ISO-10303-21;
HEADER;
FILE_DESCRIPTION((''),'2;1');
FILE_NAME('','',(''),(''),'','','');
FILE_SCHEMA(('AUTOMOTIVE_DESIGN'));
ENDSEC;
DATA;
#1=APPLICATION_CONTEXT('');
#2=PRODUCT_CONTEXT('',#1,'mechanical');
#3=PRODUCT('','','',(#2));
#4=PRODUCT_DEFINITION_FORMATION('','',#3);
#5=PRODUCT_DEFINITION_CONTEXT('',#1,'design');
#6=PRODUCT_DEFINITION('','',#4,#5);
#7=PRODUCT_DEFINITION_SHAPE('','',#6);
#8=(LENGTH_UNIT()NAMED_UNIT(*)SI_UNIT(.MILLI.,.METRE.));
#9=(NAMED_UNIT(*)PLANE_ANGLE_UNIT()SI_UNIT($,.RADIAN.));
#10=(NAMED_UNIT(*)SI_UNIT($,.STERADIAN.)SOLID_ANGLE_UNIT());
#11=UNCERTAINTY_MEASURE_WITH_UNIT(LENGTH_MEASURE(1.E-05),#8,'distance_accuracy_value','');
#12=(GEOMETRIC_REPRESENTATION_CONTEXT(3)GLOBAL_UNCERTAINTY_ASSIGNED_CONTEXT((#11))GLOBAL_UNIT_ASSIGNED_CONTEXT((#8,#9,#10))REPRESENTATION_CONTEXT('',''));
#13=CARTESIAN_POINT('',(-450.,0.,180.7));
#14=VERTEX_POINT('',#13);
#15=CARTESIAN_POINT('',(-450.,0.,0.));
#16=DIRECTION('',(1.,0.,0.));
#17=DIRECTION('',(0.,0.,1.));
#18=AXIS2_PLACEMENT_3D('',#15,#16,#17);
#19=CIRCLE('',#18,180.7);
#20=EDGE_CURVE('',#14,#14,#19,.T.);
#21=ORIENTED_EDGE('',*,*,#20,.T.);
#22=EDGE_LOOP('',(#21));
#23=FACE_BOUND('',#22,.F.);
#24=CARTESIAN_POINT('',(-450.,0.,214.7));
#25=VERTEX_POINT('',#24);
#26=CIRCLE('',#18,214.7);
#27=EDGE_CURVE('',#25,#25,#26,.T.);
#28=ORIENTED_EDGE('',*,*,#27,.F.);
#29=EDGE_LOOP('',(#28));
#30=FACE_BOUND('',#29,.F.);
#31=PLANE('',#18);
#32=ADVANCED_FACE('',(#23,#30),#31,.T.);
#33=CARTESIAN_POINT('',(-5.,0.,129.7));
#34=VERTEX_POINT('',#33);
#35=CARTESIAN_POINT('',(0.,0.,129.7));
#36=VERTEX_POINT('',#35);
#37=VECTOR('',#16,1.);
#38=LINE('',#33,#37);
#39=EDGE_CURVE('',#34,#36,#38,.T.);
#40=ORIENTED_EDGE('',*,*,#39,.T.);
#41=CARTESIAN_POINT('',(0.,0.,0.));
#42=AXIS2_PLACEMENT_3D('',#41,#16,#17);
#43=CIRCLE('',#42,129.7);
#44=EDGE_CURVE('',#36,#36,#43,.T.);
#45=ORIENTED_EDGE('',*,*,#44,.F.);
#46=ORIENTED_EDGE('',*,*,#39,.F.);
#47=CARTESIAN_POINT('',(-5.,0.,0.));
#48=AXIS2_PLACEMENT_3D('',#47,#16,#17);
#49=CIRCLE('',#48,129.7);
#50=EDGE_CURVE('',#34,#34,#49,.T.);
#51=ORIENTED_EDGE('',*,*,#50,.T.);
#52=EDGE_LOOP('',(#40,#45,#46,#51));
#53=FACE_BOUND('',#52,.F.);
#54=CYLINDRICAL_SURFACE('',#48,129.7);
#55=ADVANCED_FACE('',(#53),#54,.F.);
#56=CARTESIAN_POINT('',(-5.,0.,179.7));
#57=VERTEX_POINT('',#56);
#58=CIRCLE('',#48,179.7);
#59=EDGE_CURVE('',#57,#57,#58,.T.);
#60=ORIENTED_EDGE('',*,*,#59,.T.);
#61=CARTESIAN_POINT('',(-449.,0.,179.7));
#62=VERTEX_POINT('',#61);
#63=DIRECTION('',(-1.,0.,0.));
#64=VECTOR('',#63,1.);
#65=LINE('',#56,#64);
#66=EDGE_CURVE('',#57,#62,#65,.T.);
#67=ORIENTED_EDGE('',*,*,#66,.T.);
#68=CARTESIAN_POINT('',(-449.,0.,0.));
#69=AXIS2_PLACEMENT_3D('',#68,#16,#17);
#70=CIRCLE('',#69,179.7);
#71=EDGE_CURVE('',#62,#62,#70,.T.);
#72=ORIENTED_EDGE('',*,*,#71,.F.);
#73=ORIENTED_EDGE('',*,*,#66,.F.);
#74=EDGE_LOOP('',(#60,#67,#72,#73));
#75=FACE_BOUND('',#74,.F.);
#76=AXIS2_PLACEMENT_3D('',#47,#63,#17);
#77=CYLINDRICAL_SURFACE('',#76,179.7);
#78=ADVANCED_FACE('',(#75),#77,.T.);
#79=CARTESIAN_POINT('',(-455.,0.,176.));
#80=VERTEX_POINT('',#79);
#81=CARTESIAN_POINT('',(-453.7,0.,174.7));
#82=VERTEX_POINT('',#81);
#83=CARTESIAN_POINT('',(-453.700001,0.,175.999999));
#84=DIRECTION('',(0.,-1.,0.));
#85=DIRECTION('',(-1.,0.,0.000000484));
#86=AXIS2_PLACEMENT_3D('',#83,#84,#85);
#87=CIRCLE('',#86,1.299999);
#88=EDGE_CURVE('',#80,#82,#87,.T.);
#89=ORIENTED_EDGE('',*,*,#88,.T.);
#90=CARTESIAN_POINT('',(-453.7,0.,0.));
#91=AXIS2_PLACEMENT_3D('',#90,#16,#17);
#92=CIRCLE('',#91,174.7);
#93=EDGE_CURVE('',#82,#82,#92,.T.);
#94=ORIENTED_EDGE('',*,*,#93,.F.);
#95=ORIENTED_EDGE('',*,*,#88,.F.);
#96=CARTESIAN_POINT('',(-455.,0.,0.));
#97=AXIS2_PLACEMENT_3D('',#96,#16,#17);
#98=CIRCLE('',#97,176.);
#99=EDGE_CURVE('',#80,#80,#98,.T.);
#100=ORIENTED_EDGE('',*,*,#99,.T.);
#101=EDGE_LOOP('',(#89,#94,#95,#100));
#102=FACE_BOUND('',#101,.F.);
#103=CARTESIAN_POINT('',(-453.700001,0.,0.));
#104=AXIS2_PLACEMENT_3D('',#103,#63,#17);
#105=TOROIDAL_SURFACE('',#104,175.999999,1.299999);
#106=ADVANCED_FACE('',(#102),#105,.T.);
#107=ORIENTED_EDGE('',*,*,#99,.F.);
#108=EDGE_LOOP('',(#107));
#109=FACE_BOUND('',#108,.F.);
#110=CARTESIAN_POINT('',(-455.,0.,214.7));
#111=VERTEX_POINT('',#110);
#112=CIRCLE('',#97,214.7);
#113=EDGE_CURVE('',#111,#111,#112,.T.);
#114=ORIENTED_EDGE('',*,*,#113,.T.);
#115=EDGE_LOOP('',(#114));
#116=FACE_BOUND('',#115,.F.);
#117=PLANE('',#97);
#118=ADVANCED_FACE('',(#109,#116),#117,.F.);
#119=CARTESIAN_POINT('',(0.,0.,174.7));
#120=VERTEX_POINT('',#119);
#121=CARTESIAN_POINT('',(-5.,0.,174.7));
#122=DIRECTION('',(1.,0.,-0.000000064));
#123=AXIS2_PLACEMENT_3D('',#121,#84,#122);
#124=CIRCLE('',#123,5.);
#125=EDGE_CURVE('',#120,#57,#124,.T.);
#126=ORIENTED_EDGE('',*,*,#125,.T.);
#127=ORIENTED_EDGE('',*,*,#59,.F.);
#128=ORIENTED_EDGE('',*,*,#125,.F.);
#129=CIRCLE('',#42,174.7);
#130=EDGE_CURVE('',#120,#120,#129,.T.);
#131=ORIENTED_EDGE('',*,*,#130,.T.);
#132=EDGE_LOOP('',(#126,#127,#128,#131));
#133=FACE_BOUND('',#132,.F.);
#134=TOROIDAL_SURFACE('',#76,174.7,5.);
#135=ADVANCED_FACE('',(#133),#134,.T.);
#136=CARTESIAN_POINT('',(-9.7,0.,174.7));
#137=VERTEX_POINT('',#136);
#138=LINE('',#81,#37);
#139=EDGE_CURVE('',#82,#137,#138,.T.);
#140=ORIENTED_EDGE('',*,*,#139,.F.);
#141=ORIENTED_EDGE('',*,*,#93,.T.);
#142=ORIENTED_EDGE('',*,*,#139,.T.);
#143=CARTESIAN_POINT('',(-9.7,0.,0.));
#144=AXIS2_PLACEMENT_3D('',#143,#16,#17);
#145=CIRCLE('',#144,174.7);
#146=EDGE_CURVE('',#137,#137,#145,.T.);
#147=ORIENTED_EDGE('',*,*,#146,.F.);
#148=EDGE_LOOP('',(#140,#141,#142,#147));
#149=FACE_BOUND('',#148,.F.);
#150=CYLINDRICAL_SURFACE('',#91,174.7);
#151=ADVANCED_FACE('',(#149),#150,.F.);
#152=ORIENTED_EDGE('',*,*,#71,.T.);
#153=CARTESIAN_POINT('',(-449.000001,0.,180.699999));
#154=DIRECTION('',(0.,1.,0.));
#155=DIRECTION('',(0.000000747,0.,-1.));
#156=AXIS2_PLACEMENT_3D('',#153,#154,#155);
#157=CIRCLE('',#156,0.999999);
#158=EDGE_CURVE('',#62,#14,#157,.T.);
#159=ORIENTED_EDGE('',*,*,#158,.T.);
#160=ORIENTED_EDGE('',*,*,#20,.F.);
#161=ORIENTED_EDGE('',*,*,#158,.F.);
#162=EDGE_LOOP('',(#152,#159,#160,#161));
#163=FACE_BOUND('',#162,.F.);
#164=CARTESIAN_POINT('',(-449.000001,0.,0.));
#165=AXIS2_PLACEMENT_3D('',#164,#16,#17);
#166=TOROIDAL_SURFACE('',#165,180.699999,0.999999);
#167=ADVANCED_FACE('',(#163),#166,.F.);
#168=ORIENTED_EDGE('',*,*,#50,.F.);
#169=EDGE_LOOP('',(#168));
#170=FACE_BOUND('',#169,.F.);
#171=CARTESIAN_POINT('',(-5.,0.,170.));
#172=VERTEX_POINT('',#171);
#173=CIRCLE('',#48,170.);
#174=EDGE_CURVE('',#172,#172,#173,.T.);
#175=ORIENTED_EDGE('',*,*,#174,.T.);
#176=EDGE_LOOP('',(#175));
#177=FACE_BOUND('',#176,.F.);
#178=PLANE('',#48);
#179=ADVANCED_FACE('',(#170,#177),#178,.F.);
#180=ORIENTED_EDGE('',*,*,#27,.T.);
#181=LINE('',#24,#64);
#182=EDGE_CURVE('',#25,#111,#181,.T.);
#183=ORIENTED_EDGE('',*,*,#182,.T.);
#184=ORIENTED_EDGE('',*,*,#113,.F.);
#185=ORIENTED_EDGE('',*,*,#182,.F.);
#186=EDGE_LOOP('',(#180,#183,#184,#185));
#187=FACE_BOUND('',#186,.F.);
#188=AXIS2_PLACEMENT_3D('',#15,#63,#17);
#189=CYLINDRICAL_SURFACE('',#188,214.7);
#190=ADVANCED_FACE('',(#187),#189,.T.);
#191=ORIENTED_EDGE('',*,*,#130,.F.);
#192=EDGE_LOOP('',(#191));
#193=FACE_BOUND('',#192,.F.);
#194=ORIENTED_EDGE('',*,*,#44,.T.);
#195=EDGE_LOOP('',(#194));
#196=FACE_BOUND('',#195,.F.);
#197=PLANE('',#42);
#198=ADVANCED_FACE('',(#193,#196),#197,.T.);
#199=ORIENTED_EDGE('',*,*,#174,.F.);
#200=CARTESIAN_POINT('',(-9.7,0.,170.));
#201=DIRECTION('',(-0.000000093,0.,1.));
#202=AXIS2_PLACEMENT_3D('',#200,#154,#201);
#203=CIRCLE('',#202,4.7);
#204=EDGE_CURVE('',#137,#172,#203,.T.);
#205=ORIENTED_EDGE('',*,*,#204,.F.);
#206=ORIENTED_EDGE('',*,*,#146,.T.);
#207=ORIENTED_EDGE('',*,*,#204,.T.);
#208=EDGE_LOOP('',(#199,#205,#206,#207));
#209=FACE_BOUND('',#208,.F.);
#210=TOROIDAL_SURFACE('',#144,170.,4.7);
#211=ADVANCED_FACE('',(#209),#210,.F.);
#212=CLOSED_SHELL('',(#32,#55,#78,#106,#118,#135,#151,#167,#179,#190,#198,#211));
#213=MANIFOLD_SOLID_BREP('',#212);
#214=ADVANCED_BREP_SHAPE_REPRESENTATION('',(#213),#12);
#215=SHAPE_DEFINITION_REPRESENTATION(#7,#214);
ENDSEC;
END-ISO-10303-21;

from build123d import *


with BuildPart() as f1:
    # F0 (on Front) → F1 (revolve)
    with BuildSketch(Plane.XZ):
        with BuildLine():
            Line((-5, 179.7), (-449, 179.7))
            ThreePointArc((-449, 179.7), (-449.707107, 179.992893), (-450, 180.7))
            Line((-450, 180.7), (-450, 214.7))
            Line((-450, 214.7), (-455, 214.7))
            Line((-455, 214.7), (-455, 176))
            ThreePointArc((-455, 176), (-454.619239, 175.080761), (-453.7, 174.7))
            Line((-453.7, 174.7), (-9.7, 174.7))
            ThreePointArc((-9.7, 174.7), (-6.376598, 173.323402), (-5, 170))
            Line((-5, 170), (-5, 129.7))
            Line((-5, 129.7), (0, 129.7))
            Line((0, 129.7), (0, 174.7))
            ThreePointArc((0, 174.7), (-1.464466, 178.235534), (-5, 179.7))
        make_face()
    revolve(axis=Axis((9.014154, 0, 0), (1, 0, 0)))


solid = f1.part
